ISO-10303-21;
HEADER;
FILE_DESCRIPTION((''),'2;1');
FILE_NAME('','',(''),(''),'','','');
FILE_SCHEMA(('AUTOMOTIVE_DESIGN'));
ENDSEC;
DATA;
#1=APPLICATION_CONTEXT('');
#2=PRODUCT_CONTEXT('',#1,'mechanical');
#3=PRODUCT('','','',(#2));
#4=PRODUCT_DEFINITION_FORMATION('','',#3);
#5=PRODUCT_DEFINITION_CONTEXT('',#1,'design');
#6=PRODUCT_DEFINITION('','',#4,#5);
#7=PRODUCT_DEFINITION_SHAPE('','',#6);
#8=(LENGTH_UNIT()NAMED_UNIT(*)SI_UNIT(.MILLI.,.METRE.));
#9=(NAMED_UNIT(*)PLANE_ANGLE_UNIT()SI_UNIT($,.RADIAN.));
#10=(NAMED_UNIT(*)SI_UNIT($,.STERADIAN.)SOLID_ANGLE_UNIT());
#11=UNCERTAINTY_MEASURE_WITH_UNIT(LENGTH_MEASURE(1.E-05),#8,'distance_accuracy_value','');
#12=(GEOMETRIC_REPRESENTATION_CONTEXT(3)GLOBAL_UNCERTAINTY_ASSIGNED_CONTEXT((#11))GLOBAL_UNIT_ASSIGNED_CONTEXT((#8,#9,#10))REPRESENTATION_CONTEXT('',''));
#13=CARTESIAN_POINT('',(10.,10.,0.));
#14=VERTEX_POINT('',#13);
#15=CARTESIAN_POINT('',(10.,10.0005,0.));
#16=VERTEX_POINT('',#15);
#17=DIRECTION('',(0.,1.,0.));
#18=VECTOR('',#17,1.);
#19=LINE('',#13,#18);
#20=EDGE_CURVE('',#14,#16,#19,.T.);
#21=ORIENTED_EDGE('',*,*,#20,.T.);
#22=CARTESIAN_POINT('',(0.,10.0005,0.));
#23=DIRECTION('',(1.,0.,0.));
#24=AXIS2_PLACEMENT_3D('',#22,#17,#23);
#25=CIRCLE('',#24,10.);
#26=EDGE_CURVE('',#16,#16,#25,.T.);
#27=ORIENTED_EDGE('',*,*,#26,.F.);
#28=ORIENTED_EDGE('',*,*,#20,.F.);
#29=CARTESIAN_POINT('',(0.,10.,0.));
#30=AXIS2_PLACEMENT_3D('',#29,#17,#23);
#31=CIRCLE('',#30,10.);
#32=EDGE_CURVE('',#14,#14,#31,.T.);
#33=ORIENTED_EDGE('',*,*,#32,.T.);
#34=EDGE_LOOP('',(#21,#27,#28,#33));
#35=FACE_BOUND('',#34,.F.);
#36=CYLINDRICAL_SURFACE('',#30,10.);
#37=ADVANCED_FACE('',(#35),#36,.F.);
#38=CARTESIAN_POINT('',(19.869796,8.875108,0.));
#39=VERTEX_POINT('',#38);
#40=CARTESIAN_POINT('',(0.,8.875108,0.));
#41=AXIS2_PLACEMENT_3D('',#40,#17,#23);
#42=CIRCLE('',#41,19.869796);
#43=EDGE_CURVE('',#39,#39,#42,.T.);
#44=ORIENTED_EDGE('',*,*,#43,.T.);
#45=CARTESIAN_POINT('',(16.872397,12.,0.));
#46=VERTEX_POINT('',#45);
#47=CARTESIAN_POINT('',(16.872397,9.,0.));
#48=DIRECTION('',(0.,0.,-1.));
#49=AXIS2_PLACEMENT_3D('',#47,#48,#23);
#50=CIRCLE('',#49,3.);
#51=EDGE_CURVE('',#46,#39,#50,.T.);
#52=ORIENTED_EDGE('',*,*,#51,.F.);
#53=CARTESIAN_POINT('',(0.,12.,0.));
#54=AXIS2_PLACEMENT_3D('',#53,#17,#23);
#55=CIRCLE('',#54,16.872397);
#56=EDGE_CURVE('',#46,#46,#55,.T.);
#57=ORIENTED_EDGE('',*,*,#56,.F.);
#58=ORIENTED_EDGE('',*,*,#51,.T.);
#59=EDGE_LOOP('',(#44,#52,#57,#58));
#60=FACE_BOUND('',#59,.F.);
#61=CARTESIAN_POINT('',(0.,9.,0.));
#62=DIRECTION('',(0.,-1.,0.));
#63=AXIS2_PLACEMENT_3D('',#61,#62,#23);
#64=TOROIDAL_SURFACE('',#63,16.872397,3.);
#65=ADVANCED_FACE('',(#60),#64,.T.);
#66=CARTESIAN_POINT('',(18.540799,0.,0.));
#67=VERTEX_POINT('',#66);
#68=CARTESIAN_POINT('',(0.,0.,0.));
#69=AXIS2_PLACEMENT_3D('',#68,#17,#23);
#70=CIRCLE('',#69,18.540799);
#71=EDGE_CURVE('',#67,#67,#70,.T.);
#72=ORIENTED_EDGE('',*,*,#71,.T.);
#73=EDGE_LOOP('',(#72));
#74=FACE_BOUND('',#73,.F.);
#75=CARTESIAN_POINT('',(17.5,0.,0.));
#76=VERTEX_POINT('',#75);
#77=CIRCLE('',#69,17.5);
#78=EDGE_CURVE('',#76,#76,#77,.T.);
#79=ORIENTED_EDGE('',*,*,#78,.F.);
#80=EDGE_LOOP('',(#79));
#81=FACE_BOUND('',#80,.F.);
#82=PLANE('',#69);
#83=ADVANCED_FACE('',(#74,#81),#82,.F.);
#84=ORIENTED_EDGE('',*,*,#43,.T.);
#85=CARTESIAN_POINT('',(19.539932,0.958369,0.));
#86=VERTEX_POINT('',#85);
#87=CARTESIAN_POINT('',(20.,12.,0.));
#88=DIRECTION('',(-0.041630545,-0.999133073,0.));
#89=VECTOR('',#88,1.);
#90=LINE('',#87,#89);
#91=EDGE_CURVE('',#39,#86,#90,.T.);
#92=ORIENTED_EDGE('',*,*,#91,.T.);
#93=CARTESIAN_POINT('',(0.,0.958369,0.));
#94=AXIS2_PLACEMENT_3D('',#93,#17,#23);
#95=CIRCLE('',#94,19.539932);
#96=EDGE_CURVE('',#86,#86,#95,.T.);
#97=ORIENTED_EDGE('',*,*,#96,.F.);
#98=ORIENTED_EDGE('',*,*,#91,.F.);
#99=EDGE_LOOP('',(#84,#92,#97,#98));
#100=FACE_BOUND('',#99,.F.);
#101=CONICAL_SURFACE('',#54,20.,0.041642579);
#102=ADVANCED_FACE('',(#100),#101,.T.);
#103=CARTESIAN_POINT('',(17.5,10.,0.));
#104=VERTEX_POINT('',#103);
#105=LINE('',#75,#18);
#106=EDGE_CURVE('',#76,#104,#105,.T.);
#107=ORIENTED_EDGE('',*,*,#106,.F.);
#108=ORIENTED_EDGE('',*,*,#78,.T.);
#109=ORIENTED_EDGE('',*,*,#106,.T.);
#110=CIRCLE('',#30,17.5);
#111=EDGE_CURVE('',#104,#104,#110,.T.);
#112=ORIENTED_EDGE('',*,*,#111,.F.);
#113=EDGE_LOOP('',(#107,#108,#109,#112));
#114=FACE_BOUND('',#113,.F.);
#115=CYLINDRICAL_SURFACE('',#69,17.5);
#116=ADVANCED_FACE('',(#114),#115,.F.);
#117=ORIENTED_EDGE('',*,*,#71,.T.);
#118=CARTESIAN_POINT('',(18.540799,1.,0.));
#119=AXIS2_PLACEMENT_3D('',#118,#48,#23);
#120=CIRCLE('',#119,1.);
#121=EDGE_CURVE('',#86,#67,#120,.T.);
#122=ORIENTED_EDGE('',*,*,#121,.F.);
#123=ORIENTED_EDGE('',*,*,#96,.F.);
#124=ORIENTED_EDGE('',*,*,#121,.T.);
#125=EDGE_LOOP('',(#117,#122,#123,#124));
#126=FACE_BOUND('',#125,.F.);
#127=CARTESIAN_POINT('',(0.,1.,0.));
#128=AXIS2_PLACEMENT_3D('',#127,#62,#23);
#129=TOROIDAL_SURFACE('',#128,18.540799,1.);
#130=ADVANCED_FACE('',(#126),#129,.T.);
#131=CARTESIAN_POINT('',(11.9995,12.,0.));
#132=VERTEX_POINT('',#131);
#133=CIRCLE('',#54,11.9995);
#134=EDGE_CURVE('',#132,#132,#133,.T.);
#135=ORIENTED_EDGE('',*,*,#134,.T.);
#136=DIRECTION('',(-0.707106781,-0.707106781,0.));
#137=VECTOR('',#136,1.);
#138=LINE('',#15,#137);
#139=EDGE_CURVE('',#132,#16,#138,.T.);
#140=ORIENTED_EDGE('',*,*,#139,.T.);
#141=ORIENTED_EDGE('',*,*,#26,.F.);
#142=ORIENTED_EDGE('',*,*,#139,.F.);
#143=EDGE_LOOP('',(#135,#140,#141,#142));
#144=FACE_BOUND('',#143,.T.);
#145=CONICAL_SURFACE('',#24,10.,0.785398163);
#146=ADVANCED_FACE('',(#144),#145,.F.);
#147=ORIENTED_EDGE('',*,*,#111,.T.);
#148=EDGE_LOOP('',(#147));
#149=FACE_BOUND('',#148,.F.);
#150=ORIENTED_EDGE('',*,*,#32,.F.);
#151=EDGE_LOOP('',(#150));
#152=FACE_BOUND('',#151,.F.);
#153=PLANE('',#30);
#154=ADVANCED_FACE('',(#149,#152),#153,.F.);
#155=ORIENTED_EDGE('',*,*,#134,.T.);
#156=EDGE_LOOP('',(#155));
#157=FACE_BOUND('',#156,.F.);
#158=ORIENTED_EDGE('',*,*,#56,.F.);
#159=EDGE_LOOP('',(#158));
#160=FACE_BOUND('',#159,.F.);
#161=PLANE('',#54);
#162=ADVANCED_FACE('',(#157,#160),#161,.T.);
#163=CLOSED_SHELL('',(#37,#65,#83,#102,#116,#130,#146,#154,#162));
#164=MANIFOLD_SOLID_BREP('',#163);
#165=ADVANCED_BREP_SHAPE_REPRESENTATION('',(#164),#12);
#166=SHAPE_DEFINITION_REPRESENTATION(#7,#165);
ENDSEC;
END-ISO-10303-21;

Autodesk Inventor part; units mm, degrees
ref_plane "YZ Plane" through (0, 0, 0) normal (1, 0, 0) x (0, 1, 0)
ref_plane "XZ Plane" through (0, 0, 0) normal (0, 1, 0) x (-1, 0, 0)
ref_plane "XY Plane" through (0, 0, 0) normal (0, 0, 1) x (1, 0, 0)
sketch "Skizze1" plane through (0, 0, 0) normal (0, 0, 1) x (1, 0, 0)
  line L0 (10, 12) -> (20, 12)
  line L1 (20, 12) -> (19.5, 0)
  line L2 (19.5, 0) -> (17.5, 0)
  line L3 (17.5, 0) -> (17.5, 10)
  line L4 (17.5, 10) -> (10, 10)
  line L5 (10, 10) -> (10, 12)
  line L6 (0, 0) -> (0, 8.6013)
  line L7 (18.5, 0) -> (18.5, 1.5)
  line L8 (18.5, 1.5) -> (17.5, 1.5)
  dimension "d0" = 35
  dimension "d1" = 10
  dimension "d2" = 20
  dimension "d4" = 2
  dimension "d9" = 10
  dimension "d10" = 2
  dimension "d15" = 1
  dimension "d16" = 1.5
revolve "Umdrehung1" add sketch "Skizze1" angle 360 about axis through (0, 0, 0) along (0, 1, 0)
chamfer "Fasen1" distance 2 angle 45 1 edges at (-10, 12, 0)
thread "Gewinde1" size "M35x1.5" class "6H" standard "ISO Metric profile" full length
fillet "Rundung1" radius 3 1 edges at (-20, 12, 0)
fillet "Rundung2" radius 1 1 edges at (-19.5, 0, 0)
properties part number "Deckel"
